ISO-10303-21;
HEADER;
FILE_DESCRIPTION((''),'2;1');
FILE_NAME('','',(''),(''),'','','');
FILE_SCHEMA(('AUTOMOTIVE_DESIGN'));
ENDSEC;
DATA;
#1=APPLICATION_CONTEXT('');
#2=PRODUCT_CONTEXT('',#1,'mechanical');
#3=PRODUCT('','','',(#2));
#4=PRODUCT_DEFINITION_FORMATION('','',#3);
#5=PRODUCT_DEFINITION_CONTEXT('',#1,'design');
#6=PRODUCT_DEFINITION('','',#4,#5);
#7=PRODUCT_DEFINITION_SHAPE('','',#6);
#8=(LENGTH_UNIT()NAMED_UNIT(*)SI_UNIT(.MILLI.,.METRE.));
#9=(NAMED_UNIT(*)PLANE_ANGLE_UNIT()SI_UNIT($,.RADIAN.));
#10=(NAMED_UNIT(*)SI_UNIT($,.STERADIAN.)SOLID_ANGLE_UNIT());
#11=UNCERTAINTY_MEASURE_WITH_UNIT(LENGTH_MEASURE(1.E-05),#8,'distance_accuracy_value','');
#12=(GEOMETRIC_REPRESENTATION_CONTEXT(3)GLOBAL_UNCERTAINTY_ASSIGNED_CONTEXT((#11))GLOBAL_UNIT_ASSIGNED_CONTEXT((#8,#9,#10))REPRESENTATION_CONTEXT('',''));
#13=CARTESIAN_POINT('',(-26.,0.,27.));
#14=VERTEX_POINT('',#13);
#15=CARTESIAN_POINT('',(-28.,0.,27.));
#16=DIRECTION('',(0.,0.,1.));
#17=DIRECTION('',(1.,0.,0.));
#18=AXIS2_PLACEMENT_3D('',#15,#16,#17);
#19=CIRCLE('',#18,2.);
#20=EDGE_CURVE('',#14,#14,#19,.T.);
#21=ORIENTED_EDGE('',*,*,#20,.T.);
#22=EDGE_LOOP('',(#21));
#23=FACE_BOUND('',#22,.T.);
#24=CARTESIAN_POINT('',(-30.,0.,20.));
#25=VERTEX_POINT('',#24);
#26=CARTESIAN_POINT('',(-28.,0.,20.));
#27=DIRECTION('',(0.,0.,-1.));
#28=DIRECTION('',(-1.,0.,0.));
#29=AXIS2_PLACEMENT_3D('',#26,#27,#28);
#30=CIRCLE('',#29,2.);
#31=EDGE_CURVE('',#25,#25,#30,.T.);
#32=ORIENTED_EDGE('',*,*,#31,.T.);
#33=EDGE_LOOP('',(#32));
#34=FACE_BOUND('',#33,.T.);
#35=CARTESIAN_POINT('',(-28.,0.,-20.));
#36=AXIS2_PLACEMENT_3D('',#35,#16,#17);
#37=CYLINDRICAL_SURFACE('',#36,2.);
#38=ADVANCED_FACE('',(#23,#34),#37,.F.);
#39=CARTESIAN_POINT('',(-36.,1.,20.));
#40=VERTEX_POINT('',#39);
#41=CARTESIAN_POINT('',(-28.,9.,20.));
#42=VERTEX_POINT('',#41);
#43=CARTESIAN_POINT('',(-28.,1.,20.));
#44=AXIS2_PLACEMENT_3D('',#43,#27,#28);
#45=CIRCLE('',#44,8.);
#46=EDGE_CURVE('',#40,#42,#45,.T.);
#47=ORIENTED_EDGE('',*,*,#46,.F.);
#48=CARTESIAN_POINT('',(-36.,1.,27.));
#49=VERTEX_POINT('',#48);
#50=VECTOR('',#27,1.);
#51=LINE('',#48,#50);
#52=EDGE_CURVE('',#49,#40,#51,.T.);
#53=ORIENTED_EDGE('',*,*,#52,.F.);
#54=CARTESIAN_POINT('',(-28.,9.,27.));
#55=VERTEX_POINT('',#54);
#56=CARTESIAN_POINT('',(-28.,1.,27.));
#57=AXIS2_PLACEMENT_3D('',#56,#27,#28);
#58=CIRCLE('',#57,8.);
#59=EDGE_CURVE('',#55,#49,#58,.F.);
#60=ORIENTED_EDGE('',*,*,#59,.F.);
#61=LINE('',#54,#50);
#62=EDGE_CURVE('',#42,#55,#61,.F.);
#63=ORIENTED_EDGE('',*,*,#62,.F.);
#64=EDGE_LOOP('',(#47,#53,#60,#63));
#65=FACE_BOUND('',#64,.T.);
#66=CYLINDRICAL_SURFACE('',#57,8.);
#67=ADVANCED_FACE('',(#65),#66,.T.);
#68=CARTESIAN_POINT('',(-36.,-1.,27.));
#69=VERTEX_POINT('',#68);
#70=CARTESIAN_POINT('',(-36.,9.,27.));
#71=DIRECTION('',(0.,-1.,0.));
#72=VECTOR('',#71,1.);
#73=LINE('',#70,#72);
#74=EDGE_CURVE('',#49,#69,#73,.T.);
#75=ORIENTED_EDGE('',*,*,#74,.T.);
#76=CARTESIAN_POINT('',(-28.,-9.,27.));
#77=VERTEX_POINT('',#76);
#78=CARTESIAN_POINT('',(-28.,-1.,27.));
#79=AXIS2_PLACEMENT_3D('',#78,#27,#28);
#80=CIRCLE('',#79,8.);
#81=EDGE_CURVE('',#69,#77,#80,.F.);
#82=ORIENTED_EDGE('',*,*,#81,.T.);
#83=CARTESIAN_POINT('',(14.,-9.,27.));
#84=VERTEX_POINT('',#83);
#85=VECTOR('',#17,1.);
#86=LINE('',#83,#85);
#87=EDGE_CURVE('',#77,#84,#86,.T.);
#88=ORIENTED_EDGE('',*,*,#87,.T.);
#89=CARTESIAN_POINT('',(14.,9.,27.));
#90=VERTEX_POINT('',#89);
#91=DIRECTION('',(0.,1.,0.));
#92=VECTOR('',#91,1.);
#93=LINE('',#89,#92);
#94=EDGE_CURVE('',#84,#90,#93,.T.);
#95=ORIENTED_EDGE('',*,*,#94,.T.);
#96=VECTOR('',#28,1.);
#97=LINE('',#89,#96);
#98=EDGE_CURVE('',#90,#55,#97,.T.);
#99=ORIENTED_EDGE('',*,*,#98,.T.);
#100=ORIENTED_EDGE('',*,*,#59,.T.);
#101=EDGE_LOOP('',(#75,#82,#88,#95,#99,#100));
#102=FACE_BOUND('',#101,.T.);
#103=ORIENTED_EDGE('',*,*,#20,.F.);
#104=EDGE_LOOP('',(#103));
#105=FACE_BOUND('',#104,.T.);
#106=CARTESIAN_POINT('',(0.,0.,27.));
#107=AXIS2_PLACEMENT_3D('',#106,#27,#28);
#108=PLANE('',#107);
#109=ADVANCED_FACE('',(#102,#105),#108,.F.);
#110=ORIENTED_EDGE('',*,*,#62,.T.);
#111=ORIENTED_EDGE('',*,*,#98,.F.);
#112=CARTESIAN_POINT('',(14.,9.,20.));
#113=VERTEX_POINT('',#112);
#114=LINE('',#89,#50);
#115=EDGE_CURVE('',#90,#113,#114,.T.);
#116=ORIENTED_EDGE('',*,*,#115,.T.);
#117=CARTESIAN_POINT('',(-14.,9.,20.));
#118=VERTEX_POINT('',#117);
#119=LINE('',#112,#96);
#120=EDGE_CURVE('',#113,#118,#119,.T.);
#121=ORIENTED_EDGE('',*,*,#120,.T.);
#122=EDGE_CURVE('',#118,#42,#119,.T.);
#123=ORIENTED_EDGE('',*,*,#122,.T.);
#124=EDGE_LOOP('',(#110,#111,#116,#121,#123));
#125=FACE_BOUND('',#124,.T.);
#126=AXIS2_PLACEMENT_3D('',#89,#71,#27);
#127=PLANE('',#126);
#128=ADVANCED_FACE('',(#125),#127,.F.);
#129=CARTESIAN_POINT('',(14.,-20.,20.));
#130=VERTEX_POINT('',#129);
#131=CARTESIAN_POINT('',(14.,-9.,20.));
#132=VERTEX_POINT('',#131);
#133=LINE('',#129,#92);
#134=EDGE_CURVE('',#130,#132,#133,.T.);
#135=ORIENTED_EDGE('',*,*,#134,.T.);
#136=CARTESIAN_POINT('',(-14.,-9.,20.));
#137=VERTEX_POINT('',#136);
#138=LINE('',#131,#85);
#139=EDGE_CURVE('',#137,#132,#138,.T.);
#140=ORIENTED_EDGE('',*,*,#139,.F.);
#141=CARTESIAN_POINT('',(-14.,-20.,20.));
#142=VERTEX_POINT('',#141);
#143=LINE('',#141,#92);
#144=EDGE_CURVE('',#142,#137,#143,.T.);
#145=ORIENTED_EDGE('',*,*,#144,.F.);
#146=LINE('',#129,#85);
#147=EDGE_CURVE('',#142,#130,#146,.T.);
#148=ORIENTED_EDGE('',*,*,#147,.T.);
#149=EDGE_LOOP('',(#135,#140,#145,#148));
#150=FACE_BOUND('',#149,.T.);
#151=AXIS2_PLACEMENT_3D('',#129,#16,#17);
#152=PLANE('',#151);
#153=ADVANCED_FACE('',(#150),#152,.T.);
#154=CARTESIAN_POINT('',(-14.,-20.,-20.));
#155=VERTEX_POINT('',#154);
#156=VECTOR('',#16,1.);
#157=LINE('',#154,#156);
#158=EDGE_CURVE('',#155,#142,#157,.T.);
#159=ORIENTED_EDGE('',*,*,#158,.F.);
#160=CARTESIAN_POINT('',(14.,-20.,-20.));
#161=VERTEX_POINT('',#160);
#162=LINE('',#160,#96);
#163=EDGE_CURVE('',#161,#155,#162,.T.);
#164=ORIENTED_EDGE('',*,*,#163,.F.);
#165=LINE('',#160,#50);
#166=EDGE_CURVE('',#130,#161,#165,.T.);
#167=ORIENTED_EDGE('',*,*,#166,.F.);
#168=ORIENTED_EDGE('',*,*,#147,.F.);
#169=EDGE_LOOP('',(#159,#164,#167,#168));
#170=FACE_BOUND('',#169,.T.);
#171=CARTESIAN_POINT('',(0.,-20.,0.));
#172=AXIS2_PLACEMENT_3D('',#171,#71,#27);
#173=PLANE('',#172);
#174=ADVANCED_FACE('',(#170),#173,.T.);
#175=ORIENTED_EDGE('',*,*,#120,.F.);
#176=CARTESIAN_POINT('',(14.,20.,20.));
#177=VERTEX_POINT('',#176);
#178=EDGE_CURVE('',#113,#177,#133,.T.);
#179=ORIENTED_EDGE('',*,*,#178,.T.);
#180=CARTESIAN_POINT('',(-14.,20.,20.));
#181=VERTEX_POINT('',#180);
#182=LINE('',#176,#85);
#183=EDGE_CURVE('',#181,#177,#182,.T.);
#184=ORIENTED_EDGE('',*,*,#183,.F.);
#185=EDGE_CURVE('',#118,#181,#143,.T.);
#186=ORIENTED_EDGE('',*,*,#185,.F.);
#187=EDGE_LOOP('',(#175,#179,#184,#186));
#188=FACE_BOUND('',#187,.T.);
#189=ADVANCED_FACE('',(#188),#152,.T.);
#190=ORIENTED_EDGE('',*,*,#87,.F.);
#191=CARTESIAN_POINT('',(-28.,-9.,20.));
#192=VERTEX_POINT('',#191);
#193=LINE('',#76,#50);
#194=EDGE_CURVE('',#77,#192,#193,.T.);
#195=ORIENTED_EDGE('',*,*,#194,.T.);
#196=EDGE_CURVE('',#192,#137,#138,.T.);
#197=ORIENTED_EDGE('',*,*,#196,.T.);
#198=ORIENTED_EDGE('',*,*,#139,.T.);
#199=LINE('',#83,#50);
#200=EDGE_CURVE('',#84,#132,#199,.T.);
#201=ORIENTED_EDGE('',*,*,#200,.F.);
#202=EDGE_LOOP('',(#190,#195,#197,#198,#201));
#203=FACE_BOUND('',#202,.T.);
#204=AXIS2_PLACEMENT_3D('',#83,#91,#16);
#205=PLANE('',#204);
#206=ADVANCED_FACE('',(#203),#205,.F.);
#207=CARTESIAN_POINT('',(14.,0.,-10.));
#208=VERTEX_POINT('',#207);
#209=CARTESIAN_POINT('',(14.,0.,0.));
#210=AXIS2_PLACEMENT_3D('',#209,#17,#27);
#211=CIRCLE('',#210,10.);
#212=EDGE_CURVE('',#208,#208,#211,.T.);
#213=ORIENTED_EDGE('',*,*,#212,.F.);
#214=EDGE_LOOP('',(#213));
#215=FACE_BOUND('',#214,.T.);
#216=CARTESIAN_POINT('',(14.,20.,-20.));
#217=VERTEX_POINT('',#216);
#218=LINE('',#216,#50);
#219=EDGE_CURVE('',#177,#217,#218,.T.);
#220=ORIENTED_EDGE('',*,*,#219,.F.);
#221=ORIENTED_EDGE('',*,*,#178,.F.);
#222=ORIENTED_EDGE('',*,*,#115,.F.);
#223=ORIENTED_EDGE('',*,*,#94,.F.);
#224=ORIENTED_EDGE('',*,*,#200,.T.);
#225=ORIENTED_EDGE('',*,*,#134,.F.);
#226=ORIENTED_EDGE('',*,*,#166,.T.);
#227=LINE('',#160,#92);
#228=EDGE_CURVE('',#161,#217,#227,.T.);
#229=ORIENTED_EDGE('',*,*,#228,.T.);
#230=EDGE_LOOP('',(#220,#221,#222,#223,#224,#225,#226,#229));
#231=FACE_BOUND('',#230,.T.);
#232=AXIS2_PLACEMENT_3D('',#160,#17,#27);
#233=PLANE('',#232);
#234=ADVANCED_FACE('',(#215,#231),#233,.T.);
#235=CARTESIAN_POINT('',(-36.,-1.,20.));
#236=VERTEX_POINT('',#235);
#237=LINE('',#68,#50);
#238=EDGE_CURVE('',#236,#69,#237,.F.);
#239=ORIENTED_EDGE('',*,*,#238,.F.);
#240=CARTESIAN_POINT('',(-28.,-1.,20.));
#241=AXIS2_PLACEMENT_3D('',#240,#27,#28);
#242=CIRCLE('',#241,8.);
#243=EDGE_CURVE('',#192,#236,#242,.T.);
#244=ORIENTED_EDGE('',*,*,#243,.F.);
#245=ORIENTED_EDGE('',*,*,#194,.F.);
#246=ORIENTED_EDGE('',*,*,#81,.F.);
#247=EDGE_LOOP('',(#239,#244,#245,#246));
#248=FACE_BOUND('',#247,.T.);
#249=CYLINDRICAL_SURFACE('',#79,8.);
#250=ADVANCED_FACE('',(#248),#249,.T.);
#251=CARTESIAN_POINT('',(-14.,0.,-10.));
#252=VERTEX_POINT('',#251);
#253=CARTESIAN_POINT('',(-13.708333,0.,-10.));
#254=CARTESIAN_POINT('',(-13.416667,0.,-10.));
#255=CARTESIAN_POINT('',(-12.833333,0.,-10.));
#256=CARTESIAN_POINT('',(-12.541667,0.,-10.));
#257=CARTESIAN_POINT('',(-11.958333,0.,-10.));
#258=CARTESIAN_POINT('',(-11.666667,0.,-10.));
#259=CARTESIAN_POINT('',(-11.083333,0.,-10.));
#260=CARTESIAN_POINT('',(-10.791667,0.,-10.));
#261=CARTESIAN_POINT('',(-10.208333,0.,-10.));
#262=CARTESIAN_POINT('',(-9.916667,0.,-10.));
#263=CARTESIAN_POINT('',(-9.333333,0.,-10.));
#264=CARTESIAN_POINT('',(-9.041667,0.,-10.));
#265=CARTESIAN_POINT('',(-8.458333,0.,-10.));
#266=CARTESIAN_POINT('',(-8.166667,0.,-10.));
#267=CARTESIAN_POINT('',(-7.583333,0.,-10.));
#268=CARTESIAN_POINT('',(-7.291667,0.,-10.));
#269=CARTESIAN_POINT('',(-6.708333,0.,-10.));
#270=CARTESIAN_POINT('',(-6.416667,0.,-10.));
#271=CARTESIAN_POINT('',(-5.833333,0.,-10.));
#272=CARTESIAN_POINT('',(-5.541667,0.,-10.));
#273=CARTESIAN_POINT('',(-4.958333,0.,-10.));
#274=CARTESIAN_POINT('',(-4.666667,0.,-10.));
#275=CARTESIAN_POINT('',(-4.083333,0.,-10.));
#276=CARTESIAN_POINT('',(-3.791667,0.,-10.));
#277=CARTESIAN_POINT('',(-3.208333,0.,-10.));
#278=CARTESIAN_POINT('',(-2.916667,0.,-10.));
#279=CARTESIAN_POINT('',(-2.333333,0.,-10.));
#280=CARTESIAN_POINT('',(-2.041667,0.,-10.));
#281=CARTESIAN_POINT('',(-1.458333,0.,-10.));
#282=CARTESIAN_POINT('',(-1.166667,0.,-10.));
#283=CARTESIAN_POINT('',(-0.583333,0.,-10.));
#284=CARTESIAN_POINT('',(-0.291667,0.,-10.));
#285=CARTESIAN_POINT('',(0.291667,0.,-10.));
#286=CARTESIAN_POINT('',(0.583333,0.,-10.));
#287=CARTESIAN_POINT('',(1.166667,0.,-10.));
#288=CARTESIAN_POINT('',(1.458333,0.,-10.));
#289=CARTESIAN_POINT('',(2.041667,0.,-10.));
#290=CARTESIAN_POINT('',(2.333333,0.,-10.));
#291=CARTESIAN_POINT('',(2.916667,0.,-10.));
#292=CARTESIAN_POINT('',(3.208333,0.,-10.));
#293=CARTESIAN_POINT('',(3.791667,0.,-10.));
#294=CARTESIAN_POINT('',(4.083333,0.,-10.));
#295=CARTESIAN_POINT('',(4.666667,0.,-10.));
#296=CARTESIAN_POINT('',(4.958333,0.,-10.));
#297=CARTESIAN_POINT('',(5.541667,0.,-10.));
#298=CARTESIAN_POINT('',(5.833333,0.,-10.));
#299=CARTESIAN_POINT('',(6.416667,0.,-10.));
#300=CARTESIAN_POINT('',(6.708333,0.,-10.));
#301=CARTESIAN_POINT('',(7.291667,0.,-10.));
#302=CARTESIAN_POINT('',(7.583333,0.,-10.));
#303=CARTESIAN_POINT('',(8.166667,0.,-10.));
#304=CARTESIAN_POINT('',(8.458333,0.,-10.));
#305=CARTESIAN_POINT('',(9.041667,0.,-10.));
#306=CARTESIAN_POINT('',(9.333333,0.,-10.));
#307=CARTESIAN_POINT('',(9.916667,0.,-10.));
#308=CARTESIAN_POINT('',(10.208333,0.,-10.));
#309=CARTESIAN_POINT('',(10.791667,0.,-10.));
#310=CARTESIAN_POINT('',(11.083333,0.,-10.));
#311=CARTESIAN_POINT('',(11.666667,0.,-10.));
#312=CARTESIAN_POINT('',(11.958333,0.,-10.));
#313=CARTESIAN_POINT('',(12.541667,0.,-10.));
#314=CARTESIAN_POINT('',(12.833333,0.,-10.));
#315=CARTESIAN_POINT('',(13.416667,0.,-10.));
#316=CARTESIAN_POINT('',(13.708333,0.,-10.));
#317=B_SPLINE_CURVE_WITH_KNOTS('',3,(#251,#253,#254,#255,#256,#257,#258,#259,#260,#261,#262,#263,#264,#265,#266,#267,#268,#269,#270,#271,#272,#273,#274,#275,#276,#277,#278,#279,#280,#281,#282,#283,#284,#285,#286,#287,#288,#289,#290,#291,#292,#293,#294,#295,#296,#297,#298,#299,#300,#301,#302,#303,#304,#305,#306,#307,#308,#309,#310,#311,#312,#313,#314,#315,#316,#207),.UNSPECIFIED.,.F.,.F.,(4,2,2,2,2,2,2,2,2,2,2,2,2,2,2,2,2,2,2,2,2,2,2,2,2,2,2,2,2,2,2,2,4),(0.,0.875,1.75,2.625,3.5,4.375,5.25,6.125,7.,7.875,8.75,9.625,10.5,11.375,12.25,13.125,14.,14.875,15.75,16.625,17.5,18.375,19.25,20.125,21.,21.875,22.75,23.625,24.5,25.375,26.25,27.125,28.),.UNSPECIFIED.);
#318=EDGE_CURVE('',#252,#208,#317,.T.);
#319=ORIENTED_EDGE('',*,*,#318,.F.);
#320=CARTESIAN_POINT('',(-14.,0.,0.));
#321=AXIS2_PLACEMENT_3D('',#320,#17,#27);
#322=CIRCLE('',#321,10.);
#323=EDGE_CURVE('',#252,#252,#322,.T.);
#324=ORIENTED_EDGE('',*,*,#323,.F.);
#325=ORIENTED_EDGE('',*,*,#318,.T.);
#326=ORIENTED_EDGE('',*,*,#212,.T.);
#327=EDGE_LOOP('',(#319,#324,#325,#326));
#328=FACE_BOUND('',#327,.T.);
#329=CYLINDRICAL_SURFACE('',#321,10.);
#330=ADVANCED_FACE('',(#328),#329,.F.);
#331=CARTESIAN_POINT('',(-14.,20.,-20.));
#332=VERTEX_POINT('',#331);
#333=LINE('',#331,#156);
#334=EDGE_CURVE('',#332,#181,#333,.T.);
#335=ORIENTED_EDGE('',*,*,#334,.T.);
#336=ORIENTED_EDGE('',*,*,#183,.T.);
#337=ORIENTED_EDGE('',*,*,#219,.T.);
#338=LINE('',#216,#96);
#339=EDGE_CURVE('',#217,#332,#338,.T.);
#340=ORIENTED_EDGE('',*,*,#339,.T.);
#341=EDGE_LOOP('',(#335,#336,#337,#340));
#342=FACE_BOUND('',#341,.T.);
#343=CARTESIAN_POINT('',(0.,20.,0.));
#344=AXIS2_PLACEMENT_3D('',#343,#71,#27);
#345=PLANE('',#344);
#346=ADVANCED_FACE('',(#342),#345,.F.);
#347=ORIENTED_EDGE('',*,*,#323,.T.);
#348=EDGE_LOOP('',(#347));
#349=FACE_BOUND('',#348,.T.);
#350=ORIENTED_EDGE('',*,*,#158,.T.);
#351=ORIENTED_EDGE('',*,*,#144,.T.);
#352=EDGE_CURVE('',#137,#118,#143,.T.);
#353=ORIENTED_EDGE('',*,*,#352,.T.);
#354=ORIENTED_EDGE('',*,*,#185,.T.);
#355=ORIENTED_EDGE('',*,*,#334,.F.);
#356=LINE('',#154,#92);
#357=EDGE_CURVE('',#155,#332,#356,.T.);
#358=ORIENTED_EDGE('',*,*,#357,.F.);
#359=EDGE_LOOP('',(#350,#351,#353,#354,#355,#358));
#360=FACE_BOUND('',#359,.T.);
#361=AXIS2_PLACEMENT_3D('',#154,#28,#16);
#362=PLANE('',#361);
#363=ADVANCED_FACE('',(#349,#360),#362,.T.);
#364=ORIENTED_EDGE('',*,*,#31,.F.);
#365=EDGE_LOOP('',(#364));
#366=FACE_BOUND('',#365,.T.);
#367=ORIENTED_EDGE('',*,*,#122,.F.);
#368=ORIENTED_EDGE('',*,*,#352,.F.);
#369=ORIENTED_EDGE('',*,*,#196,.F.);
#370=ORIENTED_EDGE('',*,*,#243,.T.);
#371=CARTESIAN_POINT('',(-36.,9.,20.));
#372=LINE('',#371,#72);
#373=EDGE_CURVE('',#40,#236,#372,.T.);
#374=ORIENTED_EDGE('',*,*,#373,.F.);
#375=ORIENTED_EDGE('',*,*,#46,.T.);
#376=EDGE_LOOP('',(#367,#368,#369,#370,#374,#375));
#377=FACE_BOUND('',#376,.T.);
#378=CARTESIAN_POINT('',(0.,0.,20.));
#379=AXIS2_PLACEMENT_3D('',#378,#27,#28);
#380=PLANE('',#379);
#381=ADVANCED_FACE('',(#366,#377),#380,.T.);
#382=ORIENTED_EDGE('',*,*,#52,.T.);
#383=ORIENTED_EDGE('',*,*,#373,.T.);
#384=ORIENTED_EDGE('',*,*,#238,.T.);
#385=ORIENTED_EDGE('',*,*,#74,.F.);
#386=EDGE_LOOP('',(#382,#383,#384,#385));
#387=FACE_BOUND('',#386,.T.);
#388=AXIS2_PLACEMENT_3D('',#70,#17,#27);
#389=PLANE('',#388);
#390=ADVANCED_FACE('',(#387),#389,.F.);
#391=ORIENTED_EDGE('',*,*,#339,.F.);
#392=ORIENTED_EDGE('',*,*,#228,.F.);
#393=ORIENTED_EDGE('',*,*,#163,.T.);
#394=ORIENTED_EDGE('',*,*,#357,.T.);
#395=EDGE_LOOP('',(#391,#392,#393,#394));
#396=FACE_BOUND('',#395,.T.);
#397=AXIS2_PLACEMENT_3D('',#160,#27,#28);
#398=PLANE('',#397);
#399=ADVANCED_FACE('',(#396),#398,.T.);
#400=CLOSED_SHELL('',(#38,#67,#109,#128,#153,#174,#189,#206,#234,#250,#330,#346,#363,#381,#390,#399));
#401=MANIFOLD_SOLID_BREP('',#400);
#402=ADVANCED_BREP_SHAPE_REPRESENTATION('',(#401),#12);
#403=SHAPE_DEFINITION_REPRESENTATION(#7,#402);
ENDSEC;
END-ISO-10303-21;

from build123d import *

# Parameters (mm, degrees)
AUFSATZ_LINEAR_AUSTRAGEN1_DEPTH      = 20
AUFSATZ_LINEAR_AUSTRAGEN1_DEPTH_BACK = 20
SKIZZE1_W                            = 28
SKIZZE1_H                            = 40
SKIZZE2_R                            = 10
SCHNITT_LINEAR_AUSTRAGEN1_DEPTH      = 40.799497484
SKIZZE3_W                            = 50
SKIZZE3_H                            = 18
AUFSATZ_LINEAR_AUSTRAGEN2_DEPTH      = 7
SKIZZE5_R                            = 2
SCHNITT_LINEAR_AUSTRAGEN2_DEPTH      = 63.4899992
VERRUNDUNG1_R                        = 8


with BuildPart() as part:
    # Skizze1 → Aufsatz-Linear austragen1 (new, two sides: drawn at the far end of the back side and taken through both)
    with BuildSketch(Plane(origin=(0, 0, 0), x_dir=(1, 0, 0), z_dir=(0, 1, 0)).offset(-AUFSATZ_LINEAR_AUSTRAGEN1_DEPTH_BACK)):
        Rectangle(SKIZZE1_W, SKIZZE1_H)
    extrude(amount=AUFSATZ_LINEAR_AUSTRAGEN1_DEPTH + AUFSATZ_LINEAR_AUSTRAGEN1_DEPTH_BACK)

    # Skizze2 → Schnitt-Linear austragen1 (cut, through all)
    with BuildSketch(Plane(origin=(14, 0, 0), x_dir=(0, 0, -1), z_dir=(1, 0, 0))):
        Circle(SKIZZE2_R)
    extrude(amount=-SCHNITT_LINEAR_AUSTRAGEN1_DEPTH, mode=Mode.SUBTRACT)

    # Skizze3 → Aufsatz-Linear austragen2 (add)
    with BuildSketch(Plane.XY.offset(20)):
        with Locations((-11, 0)):
            Rectangle(SKIZZE3_W, SKIZZE3_H)
    extrude(amount=AUFSATZ_LINEAR_AUSTRAGEN2_DEPTH)

    # Skizze5 → Schnitt-Linear austragen2 (cut, through all)
    with BuildSketch(Plane.XY.offset(27)):
        with Locations((-28, 0)):
            Circle(SKIZZE5_R)
    extrude(amount=-SCHNITT_LINEAR_AUSTRAGEN2_DEPTH, mode=Mode.SUBTRACT)

    # Verrundung1
    verrundung1_edges = [part.edges().sort_by_distance(p)[0] for p in [
        (-36, 9, 23.5),
        (-36, -9, 23.5),
    ]]
    fillet(verrundung1_edges, radius=VERRUNDUNG1_R)


solid = part.part
